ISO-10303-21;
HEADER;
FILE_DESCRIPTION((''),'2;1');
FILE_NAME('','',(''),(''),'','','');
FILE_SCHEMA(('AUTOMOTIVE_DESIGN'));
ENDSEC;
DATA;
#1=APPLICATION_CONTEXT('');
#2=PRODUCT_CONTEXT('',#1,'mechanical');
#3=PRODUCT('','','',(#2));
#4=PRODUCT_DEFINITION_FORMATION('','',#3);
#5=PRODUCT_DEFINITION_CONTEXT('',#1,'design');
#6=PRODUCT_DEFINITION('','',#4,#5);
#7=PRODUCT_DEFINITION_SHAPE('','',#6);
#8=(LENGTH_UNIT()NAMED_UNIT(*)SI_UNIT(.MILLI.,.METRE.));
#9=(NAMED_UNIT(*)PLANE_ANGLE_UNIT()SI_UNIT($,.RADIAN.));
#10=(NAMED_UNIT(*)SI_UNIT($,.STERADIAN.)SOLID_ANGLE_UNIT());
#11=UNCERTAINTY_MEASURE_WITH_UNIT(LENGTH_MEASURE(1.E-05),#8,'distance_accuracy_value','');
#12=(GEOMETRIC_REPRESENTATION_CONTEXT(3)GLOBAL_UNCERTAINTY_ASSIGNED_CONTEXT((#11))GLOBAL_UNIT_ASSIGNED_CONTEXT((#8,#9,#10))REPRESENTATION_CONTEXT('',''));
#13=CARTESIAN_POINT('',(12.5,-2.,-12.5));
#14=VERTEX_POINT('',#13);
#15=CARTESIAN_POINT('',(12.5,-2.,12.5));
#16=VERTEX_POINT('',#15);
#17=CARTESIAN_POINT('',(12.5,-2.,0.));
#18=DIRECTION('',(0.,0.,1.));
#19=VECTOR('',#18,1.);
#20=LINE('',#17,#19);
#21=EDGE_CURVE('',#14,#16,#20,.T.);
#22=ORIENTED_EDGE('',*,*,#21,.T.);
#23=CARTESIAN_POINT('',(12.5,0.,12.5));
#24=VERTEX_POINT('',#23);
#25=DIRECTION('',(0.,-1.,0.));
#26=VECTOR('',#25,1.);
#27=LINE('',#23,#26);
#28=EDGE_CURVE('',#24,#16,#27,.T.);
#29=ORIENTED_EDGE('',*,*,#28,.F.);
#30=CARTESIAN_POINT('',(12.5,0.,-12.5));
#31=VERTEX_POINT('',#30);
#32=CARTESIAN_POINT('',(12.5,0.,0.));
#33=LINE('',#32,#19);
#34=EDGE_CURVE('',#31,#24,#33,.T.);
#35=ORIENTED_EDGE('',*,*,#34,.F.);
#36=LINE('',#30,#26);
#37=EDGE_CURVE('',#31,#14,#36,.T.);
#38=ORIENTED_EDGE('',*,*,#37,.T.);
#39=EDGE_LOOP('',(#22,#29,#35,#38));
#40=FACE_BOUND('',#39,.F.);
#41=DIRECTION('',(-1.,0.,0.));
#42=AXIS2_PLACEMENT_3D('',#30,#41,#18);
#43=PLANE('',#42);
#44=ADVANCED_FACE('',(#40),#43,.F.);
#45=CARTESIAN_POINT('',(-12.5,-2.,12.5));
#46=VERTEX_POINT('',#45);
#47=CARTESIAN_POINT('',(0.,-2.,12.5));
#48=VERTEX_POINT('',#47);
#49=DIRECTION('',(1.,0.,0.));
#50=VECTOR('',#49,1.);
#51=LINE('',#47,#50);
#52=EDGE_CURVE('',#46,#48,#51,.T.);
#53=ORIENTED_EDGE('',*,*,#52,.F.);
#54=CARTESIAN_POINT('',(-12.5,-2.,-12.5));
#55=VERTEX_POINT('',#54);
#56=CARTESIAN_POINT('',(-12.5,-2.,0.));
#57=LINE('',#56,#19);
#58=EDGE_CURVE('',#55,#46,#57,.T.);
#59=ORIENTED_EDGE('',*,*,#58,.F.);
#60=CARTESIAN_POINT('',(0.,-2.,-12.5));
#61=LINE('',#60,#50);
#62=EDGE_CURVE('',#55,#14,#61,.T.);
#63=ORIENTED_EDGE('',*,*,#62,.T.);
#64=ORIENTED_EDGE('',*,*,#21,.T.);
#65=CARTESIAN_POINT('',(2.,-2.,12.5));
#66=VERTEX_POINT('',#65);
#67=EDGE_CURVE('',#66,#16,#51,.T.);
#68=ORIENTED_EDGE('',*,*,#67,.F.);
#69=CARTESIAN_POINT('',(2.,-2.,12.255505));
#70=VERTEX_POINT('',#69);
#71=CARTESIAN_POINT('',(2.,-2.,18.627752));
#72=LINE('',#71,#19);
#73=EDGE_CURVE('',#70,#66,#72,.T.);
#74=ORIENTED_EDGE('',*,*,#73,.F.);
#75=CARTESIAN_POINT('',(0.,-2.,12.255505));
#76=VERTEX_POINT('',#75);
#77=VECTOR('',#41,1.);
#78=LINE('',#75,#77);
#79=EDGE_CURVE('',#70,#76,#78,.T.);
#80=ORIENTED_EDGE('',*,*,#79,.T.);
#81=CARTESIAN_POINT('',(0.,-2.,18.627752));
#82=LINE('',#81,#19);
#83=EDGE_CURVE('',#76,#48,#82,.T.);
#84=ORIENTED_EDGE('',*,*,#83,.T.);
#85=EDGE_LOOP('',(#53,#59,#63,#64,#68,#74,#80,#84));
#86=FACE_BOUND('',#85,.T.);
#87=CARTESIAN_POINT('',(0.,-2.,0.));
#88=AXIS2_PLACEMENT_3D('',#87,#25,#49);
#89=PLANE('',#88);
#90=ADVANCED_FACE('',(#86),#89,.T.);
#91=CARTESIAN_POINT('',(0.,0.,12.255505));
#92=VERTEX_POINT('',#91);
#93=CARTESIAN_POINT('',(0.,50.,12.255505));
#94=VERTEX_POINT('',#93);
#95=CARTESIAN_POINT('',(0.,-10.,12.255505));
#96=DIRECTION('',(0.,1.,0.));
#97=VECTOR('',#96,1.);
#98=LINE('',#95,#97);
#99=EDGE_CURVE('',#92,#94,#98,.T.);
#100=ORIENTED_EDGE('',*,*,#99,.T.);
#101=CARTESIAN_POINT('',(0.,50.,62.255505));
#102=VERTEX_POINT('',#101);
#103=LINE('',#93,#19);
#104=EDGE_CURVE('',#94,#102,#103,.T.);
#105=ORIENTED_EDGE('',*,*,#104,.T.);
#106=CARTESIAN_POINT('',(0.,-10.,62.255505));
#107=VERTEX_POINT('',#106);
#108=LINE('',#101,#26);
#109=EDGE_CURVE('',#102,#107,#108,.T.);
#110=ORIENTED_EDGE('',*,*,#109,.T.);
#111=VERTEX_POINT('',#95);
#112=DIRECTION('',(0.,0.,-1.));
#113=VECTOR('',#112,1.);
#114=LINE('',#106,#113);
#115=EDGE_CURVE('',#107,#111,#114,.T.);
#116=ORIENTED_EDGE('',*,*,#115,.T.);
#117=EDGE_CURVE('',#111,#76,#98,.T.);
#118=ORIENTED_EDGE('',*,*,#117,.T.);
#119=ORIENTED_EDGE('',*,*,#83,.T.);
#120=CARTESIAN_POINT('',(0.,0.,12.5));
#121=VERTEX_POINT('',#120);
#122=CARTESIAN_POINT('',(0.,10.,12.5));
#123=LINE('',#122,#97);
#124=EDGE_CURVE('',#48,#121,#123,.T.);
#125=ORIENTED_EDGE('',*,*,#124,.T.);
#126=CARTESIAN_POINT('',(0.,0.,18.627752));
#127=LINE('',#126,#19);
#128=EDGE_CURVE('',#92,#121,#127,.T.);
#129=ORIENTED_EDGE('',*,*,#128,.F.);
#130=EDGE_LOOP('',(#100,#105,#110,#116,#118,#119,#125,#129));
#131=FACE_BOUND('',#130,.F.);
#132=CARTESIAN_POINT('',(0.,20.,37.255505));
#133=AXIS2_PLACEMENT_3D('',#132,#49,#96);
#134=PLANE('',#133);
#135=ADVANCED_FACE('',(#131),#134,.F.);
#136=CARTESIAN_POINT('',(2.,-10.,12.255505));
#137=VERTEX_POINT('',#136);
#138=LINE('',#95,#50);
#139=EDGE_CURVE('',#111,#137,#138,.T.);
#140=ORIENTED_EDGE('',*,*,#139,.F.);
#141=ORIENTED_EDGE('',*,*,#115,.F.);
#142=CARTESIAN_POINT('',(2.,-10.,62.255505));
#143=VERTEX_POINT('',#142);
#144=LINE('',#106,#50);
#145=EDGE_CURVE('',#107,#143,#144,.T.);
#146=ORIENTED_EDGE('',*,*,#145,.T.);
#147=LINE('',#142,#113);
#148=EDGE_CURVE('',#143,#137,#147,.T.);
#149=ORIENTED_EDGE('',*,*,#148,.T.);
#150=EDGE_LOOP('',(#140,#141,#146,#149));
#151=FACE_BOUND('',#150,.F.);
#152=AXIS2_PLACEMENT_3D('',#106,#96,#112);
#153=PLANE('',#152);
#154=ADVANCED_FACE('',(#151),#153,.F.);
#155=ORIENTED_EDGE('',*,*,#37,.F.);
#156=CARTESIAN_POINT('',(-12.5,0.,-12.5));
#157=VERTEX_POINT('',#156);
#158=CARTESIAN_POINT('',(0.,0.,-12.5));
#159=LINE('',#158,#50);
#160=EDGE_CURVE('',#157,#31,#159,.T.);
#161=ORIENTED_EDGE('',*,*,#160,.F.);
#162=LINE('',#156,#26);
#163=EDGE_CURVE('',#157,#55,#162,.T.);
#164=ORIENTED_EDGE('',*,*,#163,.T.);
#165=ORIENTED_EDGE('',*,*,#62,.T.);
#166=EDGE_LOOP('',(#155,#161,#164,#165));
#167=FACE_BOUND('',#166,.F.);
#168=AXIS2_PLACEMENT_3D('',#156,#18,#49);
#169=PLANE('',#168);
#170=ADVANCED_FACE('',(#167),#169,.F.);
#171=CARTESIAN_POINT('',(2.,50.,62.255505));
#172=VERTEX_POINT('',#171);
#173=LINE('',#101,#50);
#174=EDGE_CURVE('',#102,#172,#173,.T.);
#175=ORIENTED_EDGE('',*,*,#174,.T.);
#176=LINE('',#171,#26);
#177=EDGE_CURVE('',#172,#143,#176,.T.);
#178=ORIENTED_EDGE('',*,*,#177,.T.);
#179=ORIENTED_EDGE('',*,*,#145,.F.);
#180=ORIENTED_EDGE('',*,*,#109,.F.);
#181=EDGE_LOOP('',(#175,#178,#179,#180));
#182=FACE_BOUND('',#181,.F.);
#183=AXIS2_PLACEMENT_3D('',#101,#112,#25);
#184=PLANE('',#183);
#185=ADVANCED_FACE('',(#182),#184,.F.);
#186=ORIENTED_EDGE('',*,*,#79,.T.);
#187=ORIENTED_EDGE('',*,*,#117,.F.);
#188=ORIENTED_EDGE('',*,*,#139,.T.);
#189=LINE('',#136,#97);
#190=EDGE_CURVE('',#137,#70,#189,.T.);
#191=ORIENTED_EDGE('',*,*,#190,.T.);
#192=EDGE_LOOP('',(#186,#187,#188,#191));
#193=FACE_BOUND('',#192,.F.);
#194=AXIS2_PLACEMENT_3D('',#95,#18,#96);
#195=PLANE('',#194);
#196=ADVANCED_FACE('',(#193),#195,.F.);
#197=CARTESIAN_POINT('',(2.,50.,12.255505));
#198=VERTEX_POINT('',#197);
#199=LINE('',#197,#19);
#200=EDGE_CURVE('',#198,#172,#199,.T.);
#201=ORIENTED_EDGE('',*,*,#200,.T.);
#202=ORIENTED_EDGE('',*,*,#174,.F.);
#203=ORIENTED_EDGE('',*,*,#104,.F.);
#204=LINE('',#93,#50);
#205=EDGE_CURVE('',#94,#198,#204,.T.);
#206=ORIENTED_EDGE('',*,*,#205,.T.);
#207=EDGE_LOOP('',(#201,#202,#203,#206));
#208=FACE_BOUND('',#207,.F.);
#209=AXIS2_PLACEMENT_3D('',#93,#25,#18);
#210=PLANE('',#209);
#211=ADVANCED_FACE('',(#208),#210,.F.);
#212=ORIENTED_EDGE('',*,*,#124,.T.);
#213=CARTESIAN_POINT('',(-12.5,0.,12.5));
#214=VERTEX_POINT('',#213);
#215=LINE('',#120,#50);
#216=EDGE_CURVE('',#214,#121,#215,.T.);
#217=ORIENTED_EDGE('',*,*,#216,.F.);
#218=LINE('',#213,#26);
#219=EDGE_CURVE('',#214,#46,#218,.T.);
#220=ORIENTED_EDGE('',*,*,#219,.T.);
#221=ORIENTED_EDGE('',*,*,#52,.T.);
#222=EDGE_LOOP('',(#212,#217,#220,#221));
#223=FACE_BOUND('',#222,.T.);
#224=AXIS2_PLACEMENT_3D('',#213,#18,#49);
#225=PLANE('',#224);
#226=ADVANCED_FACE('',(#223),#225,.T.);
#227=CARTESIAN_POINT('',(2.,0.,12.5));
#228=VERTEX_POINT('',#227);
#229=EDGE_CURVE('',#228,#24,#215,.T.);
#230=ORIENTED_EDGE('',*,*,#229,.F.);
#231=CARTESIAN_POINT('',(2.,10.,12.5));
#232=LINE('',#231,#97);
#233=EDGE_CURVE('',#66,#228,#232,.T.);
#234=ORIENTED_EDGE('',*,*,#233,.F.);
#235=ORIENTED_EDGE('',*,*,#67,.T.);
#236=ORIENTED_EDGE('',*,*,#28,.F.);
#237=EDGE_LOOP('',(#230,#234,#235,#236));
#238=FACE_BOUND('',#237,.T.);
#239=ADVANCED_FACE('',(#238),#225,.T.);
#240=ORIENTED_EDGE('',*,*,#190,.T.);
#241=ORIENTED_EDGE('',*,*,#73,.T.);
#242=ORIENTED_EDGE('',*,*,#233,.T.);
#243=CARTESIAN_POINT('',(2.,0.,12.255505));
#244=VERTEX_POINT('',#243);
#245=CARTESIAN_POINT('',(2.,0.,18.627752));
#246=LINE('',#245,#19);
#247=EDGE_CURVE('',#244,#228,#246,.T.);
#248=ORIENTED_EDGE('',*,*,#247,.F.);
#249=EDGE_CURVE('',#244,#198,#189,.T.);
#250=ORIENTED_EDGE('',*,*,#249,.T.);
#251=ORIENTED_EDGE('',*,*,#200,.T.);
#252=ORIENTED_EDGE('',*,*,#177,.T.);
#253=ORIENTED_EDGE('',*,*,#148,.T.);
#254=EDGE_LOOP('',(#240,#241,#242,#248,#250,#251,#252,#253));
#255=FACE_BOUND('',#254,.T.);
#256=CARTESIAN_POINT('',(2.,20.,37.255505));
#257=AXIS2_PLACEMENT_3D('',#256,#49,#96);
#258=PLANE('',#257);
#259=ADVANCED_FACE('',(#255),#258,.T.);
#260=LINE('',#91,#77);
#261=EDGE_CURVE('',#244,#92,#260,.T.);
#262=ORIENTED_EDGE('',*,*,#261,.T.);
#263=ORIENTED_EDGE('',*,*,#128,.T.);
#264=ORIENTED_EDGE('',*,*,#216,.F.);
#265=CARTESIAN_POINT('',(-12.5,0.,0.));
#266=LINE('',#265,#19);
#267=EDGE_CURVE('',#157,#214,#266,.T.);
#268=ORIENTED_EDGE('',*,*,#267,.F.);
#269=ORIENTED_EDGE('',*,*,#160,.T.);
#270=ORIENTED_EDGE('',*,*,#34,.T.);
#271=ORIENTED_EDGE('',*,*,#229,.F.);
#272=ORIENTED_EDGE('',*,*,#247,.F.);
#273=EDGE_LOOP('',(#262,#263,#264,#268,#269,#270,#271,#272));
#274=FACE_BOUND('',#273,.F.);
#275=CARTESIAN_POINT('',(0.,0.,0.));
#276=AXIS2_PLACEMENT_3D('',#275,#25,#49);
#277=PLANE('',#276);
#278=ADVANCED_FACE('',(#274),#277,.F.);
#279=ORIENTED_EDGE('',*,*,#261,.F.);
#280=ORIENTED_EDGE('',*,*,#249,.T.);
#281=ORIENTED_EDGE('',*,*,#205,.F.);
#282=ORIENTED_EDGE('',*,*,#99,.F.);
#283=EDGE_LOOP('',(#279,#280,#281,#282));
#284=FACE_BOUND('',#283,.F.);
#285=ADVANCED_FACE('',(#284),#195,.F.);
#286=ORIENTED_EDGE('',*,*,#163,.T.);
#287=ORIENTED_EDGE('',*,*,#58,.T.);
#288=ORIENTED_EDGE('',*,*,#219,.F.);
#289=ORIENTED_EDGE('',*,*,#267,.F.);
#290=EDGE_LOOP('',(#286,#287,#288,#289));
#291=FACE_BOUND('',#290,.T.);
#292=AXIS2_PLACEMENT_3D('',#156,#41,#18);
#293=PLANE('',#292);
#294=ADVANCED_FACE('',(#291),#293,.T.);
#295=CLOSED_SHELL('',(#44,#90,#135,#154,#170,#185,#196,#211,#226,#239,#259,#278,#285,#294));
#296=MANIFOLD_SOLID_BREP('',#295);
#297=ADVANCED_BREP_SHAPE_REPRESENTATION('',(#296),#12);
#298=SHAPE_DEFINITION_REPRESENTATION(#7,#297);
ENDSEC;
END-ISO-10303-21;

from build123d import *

# Parameters (mm, degrees)
F0_W     = 25
F0_H     = 25
F1_DEPTH = 2
F3_DEPTH = 2


with BuildPart() as f1:
    # F0 (on Front) → F1 (new body)
    with BuildSketch(Plane.XZ):
        Rectangle(F0_W, F0_H)
    extrude(amount=F1_DEPTH)

    # F2 (on Right) → F3 (join)
    with BuildSketch(Plane.YZ):
        Polygon((-10, 12.2555047274), (0, 12.2555047274), (50, 12.2555047274), (50, 62.2555047274), (-10, 62.2555047274), align=None)
    extrude(amount=F3_DEPTH)


solid = f1.part
